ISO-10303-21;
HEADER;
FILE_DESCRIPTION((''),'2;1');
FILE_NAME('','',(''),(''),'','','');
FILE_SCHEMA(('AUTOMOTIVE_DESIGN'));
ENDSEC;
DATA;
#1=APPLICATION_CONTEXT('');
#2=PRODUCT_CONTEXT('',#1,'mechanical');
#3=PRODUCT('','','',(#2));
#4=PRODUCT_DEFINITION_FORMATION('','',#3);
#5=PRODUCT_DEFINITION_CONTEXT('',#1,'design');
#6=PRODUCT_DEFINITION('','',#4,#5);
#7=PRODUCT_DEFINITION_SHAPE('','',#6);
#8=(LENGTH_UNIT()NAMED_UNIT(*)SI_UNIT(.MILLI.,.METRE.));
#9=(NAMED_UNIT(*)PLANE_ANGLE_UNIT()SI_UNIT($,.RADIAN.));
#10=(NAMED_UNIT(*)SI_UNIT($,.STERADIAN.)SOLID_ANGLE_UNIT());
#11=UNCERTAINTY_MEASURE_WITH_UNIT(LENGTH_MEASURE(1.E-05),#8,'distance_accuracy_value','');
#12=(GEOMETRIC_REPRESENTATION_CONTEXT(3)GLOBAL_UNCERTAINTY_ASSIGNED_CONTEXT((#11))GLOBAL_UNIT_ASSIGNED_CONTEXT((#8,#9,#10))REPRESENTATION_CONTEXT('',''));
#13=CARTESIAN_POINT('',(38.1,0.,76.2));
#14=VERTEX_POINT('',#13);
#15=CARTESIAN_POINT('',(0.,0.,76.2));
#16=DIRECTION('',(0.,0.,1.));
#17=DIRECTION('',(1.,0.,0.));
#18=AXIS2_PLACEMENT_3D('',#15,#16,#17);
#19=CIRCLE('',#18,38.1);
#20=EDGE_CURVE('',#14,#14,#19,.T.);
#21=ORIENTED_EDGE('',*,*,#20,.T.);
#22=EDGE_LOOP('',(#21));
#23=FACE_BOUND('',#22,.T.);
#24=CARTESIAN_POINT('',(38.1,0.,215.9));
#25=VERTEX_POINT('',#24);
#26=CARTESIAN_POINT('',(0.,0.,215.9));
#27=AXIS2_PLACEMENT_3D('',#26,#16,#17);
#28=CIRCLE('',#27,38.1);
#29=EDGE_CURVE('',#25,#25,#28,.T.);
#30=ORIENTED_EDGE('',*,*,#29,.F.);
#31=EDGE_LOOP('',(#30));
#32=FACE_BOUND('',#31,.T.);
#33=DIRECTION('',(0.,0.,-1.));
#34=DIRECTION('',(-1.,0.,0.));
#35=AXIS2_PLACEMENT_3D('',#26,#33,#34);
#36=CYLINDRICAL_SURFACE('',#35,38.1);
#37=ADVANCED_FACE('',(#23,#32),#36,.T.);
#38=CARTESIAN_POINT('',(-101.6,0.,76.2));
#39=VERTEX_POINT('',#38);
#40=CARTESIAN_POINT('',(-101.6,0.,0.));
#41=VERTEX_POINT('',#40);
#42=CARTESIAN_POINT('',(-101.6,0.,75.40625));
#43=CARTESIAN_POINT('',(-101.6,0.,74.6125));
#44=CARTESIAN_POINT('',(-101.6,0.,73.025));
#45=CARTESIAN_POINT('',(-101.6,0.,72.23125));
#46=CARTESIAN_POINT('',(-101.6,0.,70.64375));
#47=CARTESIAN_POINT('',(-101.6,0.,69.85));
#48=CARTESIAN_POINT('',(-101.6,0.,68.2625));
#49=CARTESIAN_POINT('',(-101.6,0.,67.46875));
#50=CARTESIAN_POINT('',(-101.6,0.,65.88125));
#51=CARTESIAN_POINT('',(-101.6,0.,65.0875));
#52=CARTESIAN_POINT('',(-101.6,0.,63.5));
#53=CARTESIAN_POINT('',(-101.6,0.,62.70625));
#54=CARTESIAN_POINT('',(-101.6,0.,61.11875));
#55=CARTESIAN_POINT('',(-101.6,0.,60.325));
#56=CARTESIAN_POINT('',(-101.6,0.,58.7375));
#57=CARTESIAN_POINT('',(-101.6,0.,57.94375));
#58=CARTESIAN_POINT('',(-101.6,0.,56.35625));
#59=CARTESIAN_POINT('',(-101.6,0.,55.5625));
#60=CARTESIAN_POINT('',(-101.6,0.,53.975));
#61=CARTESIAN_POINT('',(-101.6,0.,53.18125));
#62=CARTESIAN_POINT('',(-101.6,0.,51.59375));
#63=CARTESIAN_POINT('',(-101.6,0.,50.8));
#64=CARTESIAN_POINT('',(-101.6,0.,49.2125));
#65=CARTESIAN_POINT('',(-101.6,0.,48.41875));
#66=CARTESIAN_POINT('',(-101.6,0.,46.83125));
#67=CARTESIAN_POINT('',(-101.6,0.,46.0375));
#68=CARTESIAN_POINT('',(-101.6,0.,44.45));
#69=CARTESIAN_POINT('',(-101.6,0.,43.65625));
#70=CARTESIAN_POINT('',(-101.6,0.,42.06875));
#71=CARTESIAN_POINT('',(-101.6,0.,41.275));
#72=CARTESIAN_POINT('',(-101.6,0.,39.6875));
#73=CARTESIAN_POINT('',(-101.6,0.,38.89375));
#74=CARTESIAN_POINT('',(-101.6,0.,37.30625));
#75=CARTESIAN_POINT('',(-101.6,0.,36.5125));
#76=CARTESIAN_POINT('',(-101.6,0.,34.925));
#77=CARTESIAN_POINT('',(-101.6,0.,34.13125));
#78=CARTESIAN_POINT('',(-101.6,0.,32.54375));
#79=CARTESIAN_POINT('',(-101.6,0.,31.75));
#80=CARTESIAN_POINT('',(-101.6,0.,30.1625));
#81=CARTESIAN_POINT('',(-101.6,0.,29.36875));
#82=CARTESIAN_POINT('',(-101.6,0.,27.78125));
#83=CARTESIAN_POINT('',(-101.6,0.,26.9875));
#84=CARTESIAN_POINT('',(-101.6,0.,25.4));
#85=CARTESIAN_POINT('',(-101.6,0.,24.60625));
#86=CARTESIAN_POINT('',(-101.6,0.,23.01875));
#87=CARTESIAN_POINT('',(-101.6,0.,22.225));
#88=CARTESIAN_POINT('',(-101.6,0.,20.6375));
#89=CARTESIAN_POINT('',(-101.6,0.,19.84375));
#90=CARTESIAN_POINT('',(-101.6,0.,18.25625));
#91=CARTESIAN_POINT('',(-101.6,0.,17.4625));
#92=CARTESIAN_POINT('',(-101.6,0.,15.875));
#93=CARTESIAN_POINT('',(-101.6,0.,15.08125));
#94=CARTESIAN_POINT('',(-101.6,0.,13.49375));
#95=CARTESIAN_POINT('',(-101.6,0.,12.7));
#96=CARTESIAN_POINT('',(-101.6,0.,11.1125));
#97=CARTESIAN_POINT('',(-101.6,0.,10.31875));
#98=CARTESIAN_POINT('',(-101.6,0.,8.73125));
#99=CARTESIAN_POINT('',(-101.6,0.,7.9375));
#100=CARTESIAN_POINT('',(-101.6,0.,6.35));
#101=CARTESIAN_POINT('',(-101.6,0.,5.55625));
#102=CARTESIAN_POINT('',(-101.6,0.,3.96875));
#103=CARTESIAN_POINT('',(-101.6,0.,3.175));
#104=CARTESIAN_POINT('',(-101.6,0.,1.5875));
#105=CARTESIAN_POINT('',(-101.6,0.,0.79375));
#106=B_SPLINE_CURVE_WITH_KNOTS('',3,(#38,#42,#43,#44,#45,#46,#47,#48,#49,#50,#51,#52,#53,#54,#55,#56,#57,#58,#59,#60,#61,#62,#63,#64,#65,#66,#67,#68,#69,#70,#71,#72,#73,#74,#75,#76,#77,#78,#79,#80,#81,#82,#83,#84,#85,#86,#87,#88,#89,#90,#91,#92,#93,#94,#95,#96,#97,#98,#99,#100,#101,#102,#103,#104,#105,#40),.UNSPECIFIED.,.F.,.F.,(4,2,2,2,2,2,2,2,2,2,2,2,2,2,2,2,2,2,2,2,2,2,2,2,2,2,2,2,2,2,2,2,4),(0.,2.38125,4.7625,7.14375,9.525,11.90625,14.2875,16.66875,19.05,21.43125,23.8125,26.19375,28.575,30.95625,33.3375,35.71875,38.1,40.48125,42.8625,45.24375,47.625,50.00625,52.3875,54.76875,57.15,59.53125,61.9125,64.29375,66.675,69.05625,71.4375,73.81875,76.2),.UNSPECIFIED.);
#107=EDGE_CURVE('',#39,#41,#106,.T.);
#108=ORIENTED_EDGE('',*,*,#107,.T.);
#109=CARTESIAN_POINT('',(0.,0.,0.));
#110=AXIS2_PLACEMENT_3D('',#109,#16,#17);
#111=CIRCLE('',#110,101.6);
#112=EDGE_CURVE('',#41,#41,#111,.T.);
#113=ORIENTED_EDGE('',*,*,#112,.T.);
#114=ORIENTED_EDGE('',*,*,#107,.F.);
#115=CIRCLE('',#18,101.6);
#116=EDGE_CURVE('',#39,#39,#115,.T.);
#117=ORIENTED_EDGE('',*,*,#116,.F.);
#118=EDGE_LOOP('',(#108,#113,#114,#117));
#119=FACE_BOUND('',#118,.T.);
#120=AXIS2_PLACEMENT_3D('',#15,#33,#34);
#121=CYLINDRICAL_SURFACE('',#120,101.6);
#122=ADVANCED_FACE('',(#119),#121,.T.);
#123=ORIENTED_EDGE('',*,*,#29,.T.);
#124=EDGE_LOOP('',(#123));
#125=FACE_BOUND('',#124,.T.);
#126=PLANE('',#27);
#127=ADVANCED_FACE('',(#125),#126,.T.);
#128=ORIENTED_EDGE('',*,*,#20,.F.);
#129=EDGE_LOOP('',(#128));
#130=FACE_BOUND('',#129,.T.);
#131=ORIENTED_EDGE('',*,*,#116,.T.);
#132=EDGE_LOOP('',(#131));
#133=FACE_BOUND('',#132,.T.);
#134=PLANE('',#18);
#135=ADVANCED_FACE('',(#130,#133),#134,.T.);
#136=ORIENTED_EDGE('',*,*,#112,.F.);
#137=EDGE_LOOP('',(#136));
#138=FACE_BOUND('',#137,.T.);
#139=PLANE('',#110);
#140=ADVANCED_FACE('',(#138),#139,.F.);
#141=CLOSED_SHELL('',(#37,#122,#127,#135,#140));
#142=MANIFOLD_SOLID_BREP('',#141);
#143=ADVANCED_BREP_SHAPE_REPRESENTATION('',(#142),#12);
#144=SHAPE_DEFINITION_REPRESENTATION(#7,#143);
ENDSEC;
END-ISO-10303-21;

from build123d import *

# Parameters (mm, degrees)
SKETCH1_R           = 101.6
BOSS_EXTRUDE1_DEPTH = 76.2
SKETCH2_R           = 38.1
BOSS_EXTRUDE2_DEPTH = 139.7


with BuildPart() as part:
    # Sketch1 → Boss-Extrude1 (new body)
    with BuildSketch(Plane.XY):
        with Locations(Location((0, 0, 0), (0, 0, 180))):
            Circle(SKETCH1_R)
    extrude(amount=BOSS_EXTRUDE1_DEPTH)

    # Sketch2 → Boss-Extrude2 (add)
    with BuildSketch(Plane.XY.offset(76.2)):
        Circle(SKETCH2_R)
    extrude(amount=BOSS_EXTRUDE2_DEPTH)


solid = part.part
